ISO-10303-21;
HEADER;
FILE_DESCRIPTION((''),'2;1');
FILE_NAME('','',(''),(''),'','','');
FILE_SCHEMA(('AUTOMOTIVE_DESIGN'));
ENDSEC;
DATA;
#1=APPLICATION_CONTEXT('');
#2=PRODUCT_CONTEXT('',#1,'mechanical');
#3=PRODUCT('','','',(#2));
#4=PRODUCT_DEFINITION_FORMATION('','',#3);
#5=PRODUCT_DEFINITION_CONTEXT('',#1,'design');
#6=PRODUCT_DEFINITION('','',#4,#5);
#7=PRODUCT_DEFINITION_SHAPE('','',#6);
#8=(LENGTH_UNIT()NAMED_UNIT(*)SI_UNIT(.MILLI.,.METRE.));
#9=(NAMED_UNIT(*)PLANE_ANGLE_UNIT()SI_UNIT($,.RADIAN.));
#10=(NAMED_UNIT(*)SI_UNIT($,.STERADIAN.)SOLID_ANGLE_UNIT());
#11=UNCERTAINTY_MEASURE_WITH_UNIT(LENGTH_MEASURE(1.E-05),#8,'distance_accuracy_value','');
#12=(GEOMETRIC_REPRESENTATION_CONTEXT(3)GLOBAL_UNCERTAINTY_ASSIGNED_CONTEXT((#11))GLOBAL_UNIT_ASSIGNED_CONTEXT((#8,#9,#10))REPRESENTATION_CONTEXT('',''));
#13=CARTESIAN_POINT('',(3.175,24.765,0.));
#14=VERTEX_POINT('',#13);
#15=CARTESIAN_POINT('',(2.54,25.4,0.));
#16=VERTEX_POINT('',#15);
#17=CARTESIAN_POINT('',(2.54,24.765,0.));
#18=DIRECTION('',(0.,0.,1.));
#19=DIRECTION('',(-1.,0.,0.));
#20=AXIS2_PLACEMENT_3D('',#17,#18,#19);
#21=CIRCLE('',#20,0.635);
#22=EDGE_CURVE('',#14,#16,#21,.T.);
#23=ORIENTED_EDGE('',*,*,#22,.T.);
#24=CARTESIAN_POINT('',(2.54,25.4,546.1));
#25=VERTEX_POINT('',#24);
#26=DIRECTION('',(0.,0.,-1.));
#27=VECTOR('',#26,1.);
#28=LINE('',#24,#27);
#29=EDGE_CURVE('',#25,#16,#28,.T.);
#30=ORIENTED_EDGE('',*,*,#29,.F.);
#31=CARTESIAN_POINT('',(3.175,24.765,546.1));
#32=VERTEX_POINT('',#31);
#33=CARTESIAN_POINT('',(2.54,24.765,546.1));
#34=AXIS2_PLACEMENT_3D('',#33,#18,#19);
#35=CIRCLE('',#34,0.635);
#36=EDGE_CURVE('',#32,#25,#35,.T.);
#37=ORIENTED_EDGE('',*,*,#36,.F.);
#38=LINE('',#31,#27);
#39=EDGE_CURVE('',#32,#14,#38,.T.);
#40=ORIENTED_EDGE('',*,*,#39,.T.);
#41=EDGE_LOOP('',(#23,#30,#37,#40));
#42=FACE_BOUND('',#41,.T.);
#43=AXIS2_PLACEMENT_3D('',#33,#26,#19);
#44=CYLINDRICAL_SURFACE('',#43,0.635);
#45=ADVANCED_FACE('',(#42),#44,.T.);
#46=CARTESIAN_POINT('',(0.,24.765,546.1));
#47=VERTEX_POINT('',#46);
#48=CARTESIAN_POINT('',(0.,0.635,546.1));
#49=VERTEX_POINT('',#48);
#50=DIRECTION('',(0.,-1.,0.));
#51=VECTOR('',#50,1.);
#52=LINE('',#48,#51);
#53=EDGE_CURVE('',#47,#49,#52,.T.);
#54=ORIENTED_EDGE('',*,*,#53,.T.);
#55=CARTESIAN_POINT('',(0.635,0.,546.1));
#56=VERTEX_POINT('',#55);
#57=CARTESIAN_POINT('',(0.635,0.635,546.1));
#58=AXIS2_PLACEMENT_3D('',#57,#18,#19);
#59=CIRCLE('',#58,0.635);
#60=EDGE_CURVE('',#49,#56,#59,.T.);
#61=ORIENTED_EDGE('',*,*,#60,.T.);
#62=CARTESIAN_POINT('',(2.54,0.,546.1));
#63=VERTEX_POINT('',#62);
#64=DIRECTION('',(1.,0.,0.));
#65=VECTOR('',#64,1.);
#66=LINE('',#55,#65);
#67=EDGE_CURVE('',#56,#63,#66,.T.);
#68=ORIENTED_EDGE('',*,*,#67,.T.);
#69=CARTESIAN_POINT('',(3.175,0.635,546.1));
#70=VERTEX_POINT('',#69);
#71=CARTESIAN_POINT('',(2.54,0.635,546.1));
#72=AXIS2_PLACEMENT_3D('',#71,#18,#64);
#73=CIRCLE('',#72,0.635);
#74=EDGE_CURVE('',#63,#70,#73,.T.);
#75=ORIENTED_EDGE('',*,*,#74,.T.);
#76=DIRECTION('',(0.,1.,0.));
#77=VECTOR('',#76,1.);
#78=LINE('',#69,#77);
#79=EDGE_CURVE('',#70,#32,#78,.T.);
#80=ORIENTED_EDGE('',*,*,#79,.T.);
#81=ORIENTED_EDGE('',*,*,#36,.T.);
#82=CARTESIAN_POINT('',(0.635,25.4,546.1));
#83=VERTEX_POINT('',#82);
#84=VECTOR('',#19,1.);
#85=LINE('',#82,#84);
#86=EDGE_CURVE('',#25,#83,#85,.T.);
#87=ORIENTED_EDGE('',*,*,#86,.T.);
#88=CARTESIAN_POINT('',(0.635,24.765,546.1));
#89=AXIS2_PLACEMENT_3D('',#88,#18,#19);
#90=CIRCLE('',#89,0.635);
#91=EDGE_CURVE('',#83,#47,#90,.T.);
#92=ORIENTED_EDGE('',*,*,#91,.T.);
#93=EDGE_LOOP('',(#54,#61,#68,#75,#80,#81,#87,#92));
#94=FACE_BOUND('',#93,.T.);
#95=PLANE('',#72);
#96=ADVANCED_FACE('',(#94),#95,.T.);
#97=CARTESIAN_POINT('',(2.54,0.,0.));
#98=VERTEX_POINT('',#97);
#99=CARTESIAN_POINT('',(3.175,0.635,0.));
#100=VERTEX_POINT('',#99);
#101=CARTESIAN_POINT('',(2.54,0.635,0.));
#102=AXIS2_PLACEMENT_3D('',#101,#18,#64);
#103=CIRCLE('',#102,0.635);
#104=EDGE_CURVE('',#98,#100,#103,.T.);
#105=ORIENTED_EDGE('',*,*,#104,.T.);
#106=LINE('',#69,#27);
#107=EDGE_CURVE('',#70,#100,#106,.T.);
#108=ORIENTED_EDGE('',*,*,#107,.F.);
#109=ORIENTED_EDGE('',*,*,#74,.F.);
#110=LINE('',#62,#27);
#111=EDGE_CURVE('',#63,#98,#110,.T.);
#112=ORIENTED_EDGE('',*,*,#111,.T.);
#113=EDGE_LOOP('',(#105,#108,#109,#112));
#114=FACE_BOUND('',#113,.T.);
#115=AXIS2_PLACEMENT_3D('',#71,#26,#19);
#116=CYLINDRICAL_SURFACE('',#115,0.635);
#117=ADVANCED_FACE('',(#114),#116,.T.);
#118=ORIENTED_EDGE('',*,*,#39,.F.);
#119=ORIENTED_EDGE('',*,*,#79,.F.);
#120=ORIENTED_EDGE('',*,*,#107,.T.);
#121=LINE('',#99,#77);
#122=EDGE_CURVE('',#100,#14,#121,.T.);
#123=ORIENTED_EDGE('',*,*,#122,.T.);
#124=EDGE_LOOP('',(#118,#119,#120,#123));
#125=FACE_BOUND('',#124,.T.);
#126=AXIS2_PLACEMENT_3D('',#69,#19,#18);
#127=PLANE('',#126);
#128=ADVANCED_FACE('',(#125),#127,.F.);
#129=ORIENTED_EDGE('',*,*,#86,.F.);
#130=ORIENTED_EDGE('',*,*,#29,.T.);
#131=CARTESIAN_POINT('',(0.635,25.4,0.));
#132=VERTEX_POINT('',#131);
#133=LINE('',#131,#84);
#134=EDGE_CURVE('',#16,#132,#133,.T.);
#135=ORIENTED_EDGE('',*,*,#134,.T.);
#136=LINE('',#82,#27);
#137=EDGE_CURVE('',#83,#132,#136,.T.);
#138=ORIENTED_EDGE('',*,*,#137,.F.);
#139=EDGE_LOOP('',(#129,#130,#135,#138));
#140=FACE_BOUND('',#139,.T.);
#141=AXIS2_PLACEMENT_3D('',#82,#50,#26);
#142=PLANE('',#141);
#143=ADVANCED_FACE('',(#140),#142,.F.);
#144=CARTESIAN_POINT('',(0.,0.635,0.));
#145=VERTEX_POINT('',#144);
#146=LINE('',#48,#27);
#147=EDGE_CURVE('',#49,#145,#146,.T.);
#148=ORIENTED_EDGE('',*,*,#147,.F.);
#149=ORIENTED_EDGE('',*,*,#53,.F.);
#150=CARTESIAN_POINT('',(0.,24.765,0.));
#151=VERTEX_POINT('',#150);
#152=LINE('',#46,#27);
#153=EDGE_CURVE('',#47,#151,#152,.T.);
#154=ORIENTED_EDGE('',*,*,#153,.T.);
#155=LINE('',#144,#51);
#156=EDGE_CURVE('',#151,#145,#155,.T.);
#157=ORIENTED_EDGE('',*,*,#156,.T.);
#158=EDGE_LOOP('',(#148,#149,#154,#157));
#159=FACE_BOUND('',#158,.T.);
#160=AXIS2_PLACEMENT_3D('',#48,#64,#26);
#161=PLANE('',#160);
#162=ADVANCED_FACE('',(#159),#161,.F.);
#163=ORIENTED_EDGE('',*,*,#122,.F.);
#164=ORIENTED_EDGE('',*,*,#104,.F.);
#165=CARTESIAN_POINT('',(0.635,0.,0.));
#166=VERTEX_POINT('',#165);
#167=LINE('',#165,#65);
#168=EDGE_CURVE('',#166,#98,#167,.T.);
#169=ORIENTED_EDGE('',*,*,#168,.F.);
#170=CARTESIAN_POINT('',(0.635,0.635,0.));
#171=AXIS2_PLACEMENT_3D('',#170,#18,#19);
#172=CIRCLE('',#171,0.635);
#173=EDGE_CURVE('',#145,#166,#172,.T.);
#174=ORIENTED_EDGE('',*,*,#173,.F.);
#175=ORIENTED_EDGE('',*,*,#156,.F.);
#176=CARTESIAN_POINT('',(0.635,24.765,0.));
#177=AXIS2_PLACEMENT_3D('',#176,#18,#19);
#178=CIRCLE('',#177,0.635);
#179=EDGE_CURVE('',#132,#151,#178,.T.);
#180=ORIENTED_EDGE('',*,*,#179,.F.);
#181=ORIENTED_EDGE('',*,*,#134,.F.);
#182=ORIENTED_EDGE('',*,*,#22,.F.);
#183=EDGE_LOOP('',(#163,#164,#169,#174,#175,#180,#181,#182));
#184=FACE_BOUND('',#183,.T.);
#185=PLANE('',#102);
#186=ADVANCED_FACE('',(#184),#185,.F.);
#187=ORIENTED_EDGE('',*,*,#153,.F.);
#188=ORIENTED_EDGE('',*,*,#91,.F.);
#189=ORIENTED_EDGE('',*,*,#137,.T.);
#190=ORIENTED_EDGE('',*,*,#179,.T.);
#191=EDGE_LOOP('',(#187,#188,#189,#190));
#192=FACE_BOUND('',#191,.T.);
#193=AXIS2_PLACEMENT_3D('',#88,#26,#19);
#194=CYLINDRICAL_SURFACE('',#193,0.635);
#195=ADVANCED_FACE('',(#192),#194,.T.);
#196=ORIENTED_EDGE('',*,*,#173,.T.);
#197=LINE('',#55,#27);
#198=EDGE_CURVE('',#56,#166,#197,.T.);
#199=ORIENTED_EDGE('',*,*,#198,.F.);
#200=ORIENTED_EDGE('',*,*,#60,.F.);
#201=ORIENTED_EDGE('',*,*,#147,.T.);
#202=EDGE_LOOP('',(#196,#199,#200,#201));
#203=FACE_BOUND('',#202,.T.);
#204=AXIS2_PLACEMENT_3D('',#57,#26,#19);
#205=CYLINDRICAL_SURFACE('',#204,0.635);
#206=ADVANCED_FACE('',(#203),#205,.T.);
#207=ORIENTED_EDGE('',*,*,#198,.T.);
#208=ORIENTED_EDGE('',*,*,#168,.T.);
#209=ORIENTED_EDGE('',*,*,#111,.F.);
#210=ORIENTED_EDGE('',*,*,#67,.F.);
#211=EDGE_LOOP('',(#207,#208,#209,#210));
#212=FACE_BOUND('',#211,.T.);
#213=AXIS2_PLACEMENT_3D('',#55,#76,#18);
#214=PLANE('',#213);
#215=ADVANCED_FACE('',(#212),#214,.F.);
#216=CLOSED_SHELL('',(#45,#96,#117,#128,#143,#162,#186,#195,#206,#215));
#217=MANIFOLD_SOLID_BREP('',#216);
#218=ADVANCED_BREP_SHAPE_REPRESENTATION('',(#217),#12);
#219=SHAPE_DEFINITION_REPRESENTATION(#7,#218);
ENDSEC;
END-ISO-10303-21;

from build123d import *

# Parameters (mm, degrees)
BOSS_EXTRUDE1_DEPTH = 546.1


with BuildPart() as part:
    # Sketch1 → Boss-Extrude1 (new body)
    with BuildSketch(Plane.XY):
        with BuildLine():
            Line((0.635, 0), (2.54, 0))
            ThreePointArc((2.54, 0), (2.989012806, 0.185987194), (3.175, 0.635))
            Line((3.175, 0.635), (3.175, 24.765))
            ThreePointArc((3.175, 24.765), (2.989012806, 25.214012806), (2.54, 25.4))
            Line((2.54, 25.4), (0.635, 25.4))
            ThreePointArc((0.635, 25.4), (0.185987194, 25.214012806), (0, 24.765))
            Line((0, 24.765), (0, 0.635))
            ThreePointArc((0, 0.635), (0.185987194, 0.185987194), (0.635, 0))
        make_face()
    extrude(amount=BOSS_EXTRUDE1_DEPTH)


solid = part.part
